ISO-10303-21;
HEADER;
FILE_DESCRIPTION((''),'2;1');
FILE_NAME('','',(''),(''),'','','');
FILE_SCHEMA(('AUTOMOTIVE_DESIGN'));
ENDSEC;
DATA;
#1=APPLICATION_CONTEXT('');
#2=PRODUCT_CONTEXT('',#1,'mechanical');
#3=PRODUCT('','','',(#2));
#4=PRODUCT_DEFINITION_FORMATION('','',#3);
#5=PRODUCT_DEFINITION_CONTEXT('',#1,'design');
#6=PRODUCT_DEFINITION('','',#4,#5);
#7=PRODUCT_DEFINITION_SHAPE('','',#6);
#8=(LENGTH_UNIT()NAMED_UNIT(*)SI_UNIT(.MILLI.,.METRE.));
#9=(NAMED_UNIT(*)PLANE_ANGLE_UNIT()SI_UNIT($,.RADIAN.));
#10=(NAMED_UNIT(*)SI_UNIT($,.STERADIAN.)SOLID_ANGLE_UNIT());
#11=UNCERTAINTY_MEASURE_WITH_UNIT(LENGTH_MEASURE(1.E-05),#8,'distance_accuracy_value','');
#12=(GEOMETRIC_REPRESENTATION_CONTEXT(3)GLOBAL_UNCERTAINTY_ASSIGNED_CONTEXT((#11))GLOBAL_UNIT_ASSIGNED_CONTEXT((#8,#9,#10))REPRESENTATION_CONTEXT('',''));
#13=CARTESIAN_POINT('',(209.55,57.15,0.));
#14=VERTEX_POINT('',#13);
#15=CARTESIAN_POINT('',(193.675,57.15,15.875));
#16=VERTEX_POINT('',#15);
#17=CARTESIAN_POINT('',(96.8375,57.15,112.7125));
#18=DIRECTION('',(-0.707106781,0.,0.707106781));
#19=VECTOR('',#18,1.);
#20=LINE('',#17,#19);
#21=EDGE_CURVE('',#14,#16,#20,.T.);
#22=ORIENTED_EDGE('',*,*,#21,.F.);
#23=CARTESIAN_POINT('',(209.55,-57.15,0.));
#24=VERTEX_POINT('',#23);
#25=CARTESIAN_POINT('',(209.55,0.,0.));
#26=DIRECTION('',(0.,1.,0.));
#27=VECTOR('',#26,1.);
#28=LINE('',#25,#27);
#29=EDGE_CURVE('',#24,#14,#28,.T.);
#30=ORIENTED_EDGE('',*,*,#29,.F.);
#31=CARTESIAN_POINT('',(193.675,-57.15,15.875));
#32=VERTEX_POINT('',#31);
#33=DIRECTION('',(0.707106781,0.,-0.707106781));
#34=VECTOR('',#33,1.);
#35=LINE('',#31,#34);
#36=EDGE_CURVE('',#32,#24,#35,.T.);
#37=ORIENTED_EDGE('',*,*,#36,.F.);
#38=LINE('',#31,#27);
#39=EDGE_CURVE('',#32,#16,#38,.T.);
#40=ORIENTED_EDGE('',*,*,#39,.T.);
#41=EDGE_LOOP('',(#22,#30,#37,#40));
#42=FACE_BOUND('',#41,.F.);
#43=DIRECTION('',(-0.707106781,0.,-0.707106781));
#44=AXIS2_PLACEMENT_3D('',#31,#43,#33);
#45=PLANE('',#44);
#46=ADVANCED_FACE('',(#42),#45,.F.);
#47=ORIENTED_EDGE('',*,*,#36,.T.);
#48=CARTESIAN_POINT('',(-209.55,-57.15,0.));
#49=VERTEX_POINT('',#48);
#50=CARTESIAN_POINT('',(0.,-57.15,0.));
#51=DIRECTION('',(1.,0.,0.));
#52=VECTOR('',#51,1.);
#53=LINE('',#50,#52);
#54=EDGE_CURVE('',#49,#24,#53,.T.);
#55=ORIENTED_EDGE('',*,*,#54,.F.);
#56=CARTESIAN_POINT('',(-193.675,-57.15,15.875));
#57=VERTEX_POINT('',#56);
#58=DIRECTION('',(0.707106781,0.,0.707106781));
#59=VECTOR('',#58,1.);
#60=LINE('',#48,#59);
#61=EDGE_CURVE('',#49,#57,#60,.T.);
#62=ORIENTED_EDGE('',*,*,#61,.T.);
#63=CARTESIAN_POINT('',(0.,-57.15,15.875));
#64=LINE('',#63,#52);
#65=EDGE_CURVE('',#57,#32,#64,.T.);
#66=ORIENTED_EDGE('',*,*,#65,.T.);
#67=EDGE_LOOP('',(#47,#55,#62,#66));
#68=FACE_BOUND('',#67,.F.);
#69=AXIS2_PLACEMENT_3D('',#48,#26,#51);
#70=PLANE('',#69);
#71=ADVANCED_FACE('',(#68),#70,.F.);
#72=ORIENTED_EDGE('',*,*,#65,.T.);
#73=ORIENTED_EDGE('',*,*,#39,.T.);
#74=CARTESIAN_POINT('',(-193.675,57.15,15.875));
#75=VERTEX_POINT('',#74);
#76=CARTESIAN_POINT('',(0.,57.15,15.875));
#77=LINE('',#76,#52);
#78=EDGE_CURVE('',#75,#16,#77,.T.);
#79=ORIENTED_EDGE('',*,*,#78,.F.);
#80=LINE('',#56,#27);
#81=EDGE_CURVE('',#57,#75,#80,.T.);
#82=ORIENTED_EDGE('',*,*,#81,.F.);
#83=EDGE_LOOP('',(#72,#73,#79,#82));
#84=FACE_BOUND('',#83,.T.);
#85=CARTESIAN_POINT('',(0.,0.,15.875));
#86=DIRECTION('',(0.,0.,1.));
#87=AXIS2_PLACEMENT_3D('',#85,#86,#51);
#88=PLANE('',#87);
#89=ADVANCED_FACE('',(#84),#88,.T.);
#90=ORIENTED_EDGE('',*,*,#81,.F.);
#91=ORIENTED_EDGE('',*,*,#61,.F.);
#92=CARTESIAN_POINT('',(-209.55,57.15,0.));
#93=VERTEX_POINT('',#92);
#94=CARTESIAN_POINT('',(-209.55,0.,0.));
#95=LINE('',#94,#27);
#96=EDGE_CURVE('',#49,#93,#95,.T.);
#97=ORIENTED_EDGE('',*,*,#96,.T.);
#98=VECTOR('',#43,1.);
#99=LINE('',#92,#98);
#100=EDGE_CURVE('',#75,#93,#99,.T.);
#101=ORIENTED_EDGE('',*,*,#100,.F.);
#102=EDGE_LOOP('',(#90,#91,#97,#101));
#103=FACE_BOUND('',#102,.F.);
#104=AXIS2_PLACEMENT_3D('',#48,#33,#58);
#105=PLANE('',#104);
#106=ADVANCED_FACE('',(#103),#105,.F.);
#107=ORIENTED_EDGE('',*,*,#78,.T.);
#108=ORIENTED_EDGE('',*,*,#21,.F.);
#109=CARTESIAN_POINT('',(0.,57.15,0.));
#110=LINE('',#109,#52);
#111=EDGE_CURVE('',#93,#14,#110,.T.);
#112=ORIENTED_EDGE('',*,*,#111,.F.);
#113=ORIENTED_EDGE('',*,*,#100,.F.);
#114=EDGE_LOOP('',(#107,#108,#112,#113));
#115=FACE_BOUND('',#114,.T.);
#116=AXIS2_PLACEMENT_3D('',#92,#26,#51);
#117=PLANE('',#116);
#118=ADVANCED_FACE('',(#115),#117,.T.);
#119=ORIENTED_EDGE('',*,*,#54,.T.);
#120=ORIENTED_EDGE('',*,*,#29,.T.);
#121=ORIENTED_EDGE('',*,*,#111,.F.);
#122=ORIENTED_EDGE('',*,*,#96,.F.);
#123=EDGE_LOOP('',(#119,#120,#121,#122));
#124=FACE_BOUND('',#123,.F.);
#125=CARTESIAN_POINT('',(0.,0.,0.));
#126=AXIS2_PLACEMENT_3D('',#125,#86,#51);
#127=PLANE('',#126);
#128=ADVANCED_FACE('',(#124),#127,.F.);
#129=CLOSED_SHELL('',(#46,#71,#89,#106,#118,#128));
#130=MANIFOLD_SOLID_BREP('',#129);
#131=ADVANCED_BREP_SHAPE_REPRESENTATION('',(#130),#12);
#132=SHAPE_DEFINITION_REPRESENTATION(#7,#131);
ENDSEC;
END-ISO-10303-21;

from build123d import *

# Parameters (mm, degrees)
F0_W     = 419.1
F0_H     = 114.3
F1_DEPTH = 15.875
F3_DEPTH = 114.301


with BuildPart() as f1:
    # F0 (on Top) → F1 (new body)
    with BuildSketch(Plane.XY):
        Rectangle(F0_W, F0_H)
    extrude(amount=F1_DEPTH)

    # F2 (on face) → F3 (cut, through all)
    with BuildSketch(Plane.XZ.offset(57.15)):
        Polygon((-226.020381, 0), (-209.55, 0), (-193.675, 15.875), (-193.675, 49.047567), (-226.020381, 49.047567), align=None)
        Polygon((226.020381, 49.047567), (193.675, 49.047567), (193.675, 15.875), (209.55, 0), (226.020381, 0), align=None)
    extrude(amount=-F3_DEPTH, mode=Mode.SUBTRACT)


solid = f1.part
